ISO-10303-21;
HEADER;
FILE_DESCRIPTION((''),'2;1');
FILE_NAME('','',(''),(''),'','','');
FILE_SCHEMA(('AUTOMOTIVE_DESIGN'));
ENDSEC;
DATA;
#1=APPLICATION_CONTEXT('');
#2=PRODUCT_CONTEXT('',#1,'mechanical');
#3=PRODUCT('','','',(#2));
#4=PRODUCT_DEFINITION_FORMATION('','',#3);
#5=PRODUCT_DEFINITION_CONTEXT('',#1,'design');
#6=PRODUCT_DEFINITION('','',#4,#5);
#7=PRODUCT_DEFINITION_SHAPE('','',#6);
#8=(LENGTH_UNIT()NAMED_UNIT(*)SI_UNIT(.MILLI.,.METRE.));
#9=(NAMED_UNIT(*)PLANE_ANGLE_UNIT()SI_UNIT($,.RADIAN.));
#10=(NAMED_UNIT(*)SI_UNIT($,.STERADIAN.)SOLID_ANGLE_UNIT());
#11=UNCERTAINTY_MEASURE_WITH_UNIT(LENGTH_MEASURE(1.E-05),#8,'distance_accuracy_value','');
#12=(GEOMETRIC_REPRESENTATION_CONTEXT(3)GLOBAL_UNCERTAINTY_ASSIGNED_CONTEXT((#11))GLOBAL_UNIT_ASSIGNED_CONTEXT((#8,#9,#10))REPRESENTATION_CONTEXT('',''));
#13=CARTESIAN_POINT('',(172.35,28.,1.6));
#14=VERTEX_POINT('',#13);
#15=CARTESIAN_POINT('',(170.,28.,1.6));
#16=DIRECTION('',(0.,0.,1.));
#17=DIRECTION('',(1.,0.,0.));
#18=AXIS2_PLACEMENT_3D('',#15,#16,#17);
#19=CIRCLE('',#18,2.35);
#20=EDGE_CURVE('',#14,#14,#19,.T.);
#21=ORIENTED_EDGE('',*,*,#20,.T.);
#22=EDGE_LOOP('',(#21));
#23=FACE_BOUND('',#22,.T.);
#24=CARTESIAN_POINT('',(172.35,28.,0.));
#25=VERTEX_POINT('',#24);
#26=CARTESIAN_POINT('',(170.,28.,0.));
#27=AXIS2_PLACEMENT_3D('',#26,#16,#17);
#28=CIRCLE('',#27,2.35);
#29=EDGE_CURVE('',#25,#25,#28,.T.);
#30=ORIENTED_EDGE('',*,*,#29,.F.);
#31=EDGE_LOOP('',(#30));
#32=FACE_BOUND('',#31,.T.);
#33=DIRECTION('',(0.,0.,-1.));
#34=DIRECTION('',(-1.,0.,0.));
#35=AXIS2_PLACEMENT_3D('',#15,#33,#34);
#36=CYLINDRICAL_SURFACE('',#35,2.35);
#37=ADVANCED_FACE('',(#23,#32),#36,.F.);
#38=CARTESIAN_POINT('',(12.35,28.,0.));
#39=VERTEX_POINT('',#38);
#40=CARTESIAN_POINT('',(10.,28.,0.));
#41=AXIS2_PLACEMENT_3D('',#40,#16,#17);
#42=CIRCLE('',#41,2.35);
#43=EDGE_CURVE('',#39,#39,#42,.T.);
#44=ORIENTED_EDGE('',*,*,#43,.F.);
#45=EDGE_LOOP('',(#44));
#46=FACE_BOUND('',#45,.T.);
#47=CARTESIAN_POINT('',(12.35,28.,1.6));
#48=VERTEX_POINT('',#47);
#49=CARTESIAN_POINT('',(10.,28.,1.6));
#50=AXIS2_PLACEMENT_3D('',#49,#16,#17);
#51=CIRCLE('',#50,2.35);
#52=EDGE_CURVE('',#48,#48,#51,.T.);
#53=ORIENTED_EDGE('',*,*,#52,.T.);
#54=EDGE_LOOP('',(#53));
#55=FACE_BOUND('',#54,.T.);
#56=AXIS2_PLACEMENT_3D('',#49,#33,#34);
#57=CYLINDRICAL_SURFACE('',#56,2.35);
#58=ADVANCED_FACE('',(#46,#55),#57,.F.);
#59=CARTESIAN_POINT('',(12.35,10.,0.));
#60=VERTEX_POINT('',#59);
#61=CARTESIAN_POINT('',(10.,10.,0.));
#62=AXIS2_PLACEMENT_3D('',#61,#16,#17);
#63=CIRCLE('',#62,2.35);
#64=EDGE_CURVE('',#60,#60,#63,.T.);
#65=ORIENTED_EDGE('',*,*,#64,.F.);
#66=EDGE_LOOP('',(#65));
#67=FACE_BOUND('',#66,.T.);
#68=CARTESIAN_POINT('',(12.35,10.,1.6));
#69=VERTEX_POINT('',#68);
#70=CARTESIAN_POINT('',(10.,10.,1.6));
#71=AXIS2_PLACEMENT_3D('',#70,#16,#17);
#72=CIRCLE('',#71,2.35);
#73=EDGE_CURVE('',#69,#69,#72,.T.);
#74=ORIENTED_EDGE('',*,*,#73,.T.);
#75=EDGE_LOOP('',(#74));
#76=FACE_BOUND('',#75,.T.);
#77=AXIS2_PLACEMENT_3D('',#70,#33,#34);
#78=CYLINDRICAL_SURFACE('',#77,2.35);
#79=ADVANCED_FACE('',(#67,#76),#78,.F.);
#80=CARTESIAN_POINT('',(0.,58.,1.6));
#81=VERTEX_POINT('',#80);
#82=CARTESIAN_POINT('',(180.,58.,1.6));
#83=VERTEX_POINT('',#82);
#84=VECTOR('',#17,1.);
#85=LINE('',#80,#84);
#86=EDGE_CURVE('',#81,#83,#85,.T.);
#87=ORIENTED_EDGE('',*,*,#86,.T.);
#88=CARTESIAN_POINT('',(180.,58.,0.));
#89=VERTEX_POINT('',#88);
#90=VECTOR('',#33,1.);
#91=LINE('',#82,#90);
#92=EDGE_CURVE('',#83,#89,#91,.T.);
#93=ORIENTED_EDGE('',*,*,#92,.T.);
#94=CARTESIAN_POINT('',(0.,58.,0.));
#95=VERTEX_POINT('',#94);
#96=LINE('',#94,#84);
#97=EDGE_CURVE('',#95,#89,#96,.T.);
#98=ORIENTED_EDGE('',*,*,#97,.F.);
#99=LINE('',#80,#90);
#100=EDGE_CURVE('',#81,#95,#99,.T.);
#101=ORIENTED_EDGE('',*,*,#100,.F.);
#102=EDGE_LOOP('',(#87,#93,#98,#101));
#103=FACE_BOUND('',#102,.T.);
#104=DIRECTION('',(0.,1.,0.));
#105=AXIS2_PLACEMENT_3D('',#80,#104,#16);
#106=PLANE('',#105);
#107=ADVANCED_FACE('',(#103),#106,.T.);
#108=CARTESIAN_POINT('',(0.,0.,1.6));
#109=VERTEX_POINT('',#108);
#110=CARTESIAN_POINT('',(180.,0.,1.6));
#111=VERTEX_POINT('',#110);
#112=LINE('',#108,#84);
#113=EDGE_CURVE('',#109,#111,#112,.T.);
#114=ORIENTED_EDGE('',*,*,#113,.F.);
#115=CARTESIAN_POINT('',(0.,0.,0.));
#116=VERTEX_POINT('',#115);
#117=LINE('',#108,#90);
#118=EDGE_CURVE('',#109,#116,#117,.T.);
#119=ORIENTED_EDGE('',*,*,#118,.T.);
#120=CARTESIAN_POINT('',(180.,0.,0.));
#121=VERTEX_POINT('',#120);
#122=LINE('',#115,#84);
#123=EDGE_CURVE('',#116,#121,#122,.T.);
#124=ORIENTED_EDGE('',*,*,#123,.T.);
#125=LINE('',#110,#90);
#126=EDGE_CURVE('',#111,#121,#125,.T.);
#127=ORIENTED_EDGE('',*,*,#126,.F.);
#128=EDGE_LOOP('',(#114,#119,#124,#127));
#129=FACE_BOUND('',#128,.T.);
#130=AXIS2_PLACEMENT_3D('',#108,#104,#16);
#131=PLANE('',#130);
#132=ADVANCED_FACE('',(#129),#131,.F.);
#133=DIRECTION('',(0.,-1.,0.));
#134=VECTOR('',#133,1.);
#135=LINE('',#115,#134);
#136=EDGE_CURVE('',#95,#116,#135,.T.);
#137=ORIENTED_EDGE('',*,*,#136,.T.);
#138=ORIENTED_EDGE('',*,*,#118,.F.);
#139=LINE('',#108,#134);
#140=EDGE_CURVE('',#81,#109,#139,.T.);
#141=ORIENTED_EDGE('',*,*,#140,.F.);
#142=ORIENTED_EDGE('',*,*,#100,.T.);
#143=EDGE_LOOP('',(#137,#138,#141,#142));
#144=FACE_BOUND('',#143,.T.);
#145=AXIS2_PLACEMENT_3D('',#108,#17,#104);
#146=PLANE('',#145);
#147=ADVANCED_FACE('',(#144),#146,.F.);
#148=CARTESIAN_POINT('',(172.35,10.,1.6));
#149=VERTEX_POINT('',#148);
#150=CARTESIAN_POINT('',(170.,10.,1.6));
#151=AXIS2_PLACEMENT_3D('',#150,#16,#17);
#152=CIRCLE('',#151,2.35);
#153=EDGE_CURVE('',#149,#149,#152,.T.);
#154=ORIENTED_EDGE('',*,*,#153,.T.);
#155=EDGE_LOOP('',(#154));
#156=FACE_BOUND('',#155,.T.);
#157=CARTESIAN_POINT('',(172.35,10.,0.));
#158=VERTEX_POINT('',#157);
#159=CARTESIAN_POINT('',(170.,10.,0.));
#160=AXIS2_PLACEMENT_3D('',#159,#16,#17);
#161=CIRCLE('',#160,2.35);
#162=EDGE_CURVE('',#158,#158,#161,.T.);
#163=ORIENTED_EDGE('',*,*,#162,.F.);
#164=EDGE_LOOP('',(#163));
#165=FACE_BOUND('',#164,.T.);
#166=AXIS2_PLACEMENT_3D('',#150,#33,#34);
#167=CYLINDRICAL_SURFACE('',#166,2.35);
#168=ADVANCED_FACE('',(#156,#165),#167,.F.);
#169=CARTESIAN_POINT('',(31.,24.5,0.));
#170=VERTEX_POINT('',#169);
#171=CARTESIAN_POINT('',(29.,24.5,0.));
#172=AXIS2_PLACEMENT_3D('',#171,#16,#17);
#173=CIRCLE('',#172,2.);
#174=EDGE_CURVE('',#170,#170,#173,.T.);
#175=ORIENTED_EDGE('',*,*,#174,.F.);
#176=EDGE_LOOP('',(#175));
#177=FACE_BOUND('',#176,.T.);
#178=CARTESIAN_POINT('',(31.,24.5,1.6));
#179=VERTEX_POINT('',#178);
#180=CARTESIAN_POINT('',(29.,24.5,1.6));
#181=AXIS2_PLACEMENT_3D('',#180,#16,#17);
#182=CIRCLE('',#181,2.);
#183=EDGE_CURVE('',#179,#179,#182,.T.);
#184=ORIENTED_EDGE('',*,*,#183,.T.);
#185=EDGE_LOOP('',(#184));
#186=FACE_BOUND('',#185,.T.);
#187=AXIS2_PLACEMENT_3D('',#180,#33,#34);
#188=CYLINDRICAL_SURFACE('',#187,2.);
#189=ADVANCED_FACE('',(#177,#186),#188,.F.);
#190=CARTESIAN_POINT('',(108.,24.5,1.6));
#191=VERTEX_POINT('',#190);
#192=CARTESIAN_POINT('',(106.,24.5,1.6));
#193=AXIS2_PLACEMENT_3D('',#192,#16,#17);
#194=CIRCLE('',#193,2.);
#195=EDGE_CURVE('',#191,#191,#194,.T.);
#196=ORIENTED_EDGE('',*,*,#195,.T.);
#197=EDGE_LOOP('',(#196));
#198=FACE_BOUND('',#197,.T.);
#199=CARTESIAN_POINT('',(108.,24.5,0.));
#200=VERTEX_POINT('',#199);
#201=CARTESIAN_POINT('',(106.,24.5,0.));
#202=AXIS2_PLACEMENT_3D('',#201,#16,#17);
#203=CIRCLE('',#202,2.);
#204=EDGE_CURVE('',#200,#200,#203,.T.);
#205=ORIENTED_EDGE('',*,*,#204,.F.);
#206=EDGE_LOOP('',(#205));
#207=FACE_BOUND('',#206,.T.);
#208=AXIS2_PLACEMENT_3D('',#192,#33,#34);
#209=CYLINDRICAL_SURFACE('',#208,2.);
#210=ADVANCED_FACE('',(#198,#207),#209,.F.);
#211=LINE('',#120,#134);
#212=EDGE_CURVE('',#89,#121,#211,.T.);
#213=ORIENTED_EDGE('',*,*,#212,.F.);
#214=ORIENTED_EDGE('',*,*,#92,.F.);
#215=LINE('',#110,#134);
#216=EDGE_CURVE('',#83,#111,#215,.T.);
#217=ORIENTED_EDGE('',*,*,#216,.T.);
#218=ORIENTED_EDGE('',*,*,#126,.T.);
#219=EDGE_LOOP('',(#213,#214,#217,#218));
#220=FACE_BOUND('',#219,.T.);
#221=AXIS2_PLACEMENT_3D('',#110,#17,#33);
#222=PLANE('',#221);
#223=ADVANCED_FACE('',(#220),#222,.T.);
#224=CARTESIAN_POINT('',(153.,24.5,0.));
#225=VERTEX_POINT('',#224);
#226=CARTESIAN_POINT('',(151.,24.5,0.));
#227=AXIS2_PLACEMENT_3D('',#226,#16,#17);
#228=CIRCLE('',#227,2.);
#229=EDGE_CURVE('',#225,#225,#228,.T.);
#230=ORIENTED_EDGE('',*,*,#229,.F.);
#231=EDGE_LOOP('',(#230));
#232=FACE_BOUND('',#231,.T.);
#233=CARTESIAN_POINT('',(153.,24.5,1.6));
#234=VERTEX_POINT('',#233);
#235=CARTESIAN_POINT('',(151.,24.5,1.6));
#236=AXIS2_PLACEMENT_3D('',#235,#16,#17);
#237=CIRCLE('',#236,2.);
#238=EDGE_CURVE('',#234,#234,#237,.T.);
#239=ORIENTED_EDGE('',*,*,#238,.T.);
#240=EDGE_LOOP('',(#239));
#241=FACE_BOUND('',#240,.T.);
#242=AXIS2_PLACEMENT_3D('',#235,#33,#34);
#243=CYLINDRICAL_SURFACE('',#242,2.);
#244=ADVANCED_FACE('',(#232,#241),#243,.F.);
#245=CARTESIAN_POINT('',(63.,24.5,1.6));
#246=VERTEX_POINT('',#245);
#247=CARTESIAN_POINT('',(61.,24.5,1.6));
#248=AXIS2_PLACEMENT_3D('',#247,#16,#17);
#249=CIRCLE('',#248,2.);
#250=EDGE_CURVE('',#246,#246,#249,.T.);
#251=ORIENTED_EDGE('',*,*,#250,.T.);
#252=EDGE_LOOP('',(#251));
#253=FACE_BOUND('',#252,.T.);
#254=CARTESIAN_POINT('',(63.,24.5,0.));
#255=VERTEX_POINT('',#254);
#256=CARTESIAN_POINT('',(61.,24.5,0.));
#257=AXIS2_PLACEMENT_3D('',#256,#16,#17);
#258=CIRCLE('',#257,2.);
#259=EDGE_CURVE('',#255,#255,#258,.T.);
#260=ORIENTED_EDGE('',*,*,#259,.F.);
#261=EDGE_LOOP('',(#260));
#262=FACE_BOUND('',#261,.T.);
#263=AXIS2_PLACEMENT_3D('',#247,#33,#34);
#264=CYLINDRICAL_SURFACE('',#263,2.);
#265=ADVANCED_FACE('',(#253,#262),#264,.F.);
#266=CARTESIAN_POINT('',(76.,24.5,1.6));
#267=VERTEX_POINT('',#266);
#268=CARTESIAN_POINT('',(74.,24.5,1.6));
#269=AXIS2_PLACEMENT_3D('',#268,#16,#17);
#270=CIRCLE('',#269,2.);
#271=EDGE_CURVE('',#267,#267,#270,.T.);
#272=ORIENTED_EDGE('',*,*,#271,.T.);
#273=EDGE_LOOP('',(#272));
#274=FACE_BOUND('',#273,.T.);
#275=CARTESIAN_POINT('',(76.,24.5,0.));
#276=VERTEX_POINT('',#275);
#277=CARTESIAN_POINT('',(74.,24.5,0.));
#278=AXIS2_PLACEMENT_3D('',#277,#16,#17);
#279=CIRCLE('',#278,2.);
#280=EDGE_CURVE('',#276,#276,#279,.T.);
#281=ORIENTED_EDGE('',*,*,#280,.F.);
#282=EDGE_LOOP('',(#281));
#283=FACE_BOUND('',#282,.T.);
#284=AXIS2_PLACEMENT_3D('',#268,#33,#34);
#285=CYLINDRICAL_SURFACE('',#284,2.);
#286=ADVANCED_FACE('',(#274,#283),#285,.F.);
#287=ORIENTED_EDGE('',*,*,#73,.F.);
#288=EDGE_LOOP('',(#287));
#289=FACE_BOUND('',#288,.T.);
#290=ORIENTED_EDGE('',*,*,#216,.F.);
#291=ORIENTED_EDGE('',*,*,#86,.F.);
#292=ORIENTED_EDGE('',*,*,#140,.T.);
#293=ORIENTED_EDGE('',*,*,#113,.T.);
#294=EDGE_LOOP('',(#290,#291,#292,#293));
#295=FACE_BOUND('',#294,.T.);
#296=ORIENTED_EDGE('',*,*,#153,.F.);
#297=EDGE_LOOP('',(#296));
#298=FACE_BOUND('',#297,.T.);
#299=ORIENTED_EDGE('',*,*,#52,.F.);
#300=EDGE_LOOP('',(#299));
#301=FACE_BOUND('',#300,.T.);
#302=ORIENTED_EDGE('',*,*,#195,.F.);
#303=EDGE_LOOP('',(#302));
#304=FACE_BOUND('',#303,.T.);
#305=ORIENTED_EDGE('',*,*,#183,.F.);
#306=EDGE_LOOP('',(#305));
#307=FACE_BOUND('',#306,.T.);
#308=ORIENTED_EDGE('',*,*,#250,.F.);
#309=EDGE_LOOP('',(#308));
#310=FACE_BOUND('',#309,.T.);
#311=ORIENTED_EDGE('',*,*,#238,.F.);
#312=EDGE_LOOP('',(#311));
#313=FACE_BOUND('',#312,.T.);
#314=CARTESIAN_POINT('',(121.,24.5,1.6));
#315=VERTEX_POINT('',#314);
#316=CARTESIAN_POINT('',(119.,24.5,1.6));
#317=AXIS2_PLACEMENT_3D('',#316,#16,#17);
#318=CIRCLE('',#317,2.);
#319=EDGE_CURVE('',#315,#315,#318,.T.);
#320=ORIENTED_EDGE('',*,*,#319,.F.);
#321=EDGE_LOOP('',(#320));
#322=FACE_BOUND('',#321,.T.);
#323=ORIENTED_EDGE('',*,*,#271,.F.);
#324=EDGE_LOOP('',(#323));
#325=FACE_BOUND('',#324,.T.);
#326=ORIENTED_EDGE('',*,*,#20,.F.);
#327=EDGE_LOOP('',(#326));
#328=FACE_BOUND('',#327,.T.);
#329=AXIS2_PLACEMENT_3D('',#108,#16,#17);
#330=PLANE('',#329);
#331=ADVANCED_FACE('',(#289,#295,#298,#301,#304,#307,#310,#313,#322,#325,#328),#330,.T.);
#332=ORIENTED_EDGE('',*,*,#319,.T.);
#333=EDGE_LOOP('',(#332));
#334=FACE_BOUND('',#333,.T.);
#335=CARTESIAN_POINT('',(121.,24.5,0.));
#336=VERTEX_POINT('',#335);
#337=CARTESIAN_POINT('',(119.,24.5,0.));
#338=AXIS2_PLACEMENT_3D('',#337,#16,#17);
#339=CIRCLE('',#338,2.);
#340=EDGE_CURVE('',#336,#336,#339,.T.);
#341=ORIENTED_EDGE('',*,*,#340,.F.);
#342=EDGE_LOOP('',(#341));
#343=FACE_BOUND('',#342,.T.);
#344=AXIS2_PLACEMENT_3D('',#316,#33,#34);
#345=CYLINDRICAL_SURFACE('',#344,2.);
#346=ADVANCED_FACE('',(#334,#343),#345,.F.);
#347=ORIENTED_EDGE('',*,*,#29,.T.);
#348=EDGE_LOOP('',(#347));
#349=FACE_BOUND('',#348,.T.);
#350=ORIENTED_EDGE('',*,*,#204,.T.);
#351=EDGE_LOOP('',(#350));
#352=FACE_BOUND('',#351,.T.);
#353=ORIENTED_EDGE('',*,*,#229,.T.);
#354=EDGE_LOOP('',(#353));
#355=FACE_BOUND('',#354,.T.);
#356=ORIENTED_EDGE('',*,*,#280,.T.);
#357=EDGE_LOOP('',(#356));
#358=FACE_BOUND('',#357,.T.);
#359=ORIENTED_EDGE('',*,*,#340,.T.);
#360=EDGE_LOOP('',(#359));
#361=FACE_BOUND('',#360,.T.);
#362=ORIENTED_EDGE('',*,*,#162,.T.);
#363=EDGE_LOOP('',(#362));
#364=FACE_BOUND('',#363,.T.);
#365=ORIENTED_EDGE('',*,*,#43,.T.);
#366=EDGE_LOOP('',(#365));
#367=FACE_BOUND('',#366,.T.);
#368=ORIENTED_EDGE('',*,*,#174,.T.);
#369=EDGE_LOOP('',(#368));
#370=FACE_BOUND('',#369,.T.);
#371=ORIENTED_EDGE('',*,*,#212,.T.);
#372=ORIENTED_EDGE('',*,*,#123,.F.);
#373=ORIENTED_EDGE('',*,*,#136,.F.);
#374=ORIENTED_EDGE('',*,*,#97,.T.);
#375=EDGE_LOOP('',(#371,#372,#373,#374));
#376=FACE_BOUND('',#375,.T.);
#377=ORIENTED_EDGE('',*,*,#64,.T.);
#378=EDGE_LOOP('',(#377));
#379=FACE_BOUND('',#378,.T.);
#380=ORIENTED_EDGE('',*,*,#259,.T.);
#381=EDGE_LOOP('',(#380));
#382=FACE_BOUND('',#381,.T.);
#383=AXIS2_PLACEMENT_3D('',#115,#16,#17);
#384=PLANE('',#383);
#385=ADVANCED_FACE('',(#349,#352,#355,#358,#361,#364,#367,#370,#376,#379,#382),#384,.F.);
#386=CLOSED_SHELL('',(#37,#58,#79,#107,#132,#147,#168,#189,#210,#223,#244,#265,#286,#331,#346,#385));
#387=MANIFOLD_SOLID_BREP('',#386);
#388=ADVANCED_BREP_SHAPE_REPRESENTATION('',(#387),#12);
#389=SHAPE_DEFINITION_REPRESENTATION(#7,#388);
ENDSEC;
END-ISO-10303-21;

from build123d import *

# Parameters (mm, degrees)
SKETCH1_W           = 180
SKETCH1_H           = 58
SKETCH1_R           = 2.35
SKETCH1_R_2         = 2
BOSS_EXTRUDE1_DEPTH = 1.6


with BuildPart() as part:
    # Sketch1 → Boss-Extrude1 (new body)
    with BuildSketch(Plane.XY):
        with Locations((90, 29)):
            Rectangle(SKETCH1_W, SKETCH1_H)
        with Locations((10, 28)):
            Circle(SKETCH1_R, mode=Mode.SUBTRACT)
        with Locations((10, 10)):
            Circle(SKETCH1_R, mode=Mode.SUBTRACT)
        with Locations((29, 24.5)):
            Circle(SKETCH1_R_2, mode=Mode.SUBTRACT)
        with Locations((61, 24.5)):
            Circle(SKETCH1_R_2, mode=Mode.SUBTRACT)
        with Locations((74, 24.5)):
            Circle(SKETCH1_R_2, mode=Mode.SUBTRACT)
        with Locations((106, 24.5)):
            Circle(SKETCH1_R_2, mode=Mode.SUBTRACT)
        with Locations((119, 24.5)):
            Circle(SKETCH1_R_2, mode=Mode.SUBTRACT)
        with Locations((151, 24.5)):
            Circle(SKETCH1_R_2, mode=Mode.SUBTRACT)
        with Locations((170, 28)):
            Circle(SKETCH1_R, mode=Mode.SUBTRACT)
        with Locations((170, 10)):
            Circle(SKETCH1_R, mode=Mode.SUBTRACT)
    extrude(amount=BOSS_EXTRUDE1_DEPTH)


solid = part.part
